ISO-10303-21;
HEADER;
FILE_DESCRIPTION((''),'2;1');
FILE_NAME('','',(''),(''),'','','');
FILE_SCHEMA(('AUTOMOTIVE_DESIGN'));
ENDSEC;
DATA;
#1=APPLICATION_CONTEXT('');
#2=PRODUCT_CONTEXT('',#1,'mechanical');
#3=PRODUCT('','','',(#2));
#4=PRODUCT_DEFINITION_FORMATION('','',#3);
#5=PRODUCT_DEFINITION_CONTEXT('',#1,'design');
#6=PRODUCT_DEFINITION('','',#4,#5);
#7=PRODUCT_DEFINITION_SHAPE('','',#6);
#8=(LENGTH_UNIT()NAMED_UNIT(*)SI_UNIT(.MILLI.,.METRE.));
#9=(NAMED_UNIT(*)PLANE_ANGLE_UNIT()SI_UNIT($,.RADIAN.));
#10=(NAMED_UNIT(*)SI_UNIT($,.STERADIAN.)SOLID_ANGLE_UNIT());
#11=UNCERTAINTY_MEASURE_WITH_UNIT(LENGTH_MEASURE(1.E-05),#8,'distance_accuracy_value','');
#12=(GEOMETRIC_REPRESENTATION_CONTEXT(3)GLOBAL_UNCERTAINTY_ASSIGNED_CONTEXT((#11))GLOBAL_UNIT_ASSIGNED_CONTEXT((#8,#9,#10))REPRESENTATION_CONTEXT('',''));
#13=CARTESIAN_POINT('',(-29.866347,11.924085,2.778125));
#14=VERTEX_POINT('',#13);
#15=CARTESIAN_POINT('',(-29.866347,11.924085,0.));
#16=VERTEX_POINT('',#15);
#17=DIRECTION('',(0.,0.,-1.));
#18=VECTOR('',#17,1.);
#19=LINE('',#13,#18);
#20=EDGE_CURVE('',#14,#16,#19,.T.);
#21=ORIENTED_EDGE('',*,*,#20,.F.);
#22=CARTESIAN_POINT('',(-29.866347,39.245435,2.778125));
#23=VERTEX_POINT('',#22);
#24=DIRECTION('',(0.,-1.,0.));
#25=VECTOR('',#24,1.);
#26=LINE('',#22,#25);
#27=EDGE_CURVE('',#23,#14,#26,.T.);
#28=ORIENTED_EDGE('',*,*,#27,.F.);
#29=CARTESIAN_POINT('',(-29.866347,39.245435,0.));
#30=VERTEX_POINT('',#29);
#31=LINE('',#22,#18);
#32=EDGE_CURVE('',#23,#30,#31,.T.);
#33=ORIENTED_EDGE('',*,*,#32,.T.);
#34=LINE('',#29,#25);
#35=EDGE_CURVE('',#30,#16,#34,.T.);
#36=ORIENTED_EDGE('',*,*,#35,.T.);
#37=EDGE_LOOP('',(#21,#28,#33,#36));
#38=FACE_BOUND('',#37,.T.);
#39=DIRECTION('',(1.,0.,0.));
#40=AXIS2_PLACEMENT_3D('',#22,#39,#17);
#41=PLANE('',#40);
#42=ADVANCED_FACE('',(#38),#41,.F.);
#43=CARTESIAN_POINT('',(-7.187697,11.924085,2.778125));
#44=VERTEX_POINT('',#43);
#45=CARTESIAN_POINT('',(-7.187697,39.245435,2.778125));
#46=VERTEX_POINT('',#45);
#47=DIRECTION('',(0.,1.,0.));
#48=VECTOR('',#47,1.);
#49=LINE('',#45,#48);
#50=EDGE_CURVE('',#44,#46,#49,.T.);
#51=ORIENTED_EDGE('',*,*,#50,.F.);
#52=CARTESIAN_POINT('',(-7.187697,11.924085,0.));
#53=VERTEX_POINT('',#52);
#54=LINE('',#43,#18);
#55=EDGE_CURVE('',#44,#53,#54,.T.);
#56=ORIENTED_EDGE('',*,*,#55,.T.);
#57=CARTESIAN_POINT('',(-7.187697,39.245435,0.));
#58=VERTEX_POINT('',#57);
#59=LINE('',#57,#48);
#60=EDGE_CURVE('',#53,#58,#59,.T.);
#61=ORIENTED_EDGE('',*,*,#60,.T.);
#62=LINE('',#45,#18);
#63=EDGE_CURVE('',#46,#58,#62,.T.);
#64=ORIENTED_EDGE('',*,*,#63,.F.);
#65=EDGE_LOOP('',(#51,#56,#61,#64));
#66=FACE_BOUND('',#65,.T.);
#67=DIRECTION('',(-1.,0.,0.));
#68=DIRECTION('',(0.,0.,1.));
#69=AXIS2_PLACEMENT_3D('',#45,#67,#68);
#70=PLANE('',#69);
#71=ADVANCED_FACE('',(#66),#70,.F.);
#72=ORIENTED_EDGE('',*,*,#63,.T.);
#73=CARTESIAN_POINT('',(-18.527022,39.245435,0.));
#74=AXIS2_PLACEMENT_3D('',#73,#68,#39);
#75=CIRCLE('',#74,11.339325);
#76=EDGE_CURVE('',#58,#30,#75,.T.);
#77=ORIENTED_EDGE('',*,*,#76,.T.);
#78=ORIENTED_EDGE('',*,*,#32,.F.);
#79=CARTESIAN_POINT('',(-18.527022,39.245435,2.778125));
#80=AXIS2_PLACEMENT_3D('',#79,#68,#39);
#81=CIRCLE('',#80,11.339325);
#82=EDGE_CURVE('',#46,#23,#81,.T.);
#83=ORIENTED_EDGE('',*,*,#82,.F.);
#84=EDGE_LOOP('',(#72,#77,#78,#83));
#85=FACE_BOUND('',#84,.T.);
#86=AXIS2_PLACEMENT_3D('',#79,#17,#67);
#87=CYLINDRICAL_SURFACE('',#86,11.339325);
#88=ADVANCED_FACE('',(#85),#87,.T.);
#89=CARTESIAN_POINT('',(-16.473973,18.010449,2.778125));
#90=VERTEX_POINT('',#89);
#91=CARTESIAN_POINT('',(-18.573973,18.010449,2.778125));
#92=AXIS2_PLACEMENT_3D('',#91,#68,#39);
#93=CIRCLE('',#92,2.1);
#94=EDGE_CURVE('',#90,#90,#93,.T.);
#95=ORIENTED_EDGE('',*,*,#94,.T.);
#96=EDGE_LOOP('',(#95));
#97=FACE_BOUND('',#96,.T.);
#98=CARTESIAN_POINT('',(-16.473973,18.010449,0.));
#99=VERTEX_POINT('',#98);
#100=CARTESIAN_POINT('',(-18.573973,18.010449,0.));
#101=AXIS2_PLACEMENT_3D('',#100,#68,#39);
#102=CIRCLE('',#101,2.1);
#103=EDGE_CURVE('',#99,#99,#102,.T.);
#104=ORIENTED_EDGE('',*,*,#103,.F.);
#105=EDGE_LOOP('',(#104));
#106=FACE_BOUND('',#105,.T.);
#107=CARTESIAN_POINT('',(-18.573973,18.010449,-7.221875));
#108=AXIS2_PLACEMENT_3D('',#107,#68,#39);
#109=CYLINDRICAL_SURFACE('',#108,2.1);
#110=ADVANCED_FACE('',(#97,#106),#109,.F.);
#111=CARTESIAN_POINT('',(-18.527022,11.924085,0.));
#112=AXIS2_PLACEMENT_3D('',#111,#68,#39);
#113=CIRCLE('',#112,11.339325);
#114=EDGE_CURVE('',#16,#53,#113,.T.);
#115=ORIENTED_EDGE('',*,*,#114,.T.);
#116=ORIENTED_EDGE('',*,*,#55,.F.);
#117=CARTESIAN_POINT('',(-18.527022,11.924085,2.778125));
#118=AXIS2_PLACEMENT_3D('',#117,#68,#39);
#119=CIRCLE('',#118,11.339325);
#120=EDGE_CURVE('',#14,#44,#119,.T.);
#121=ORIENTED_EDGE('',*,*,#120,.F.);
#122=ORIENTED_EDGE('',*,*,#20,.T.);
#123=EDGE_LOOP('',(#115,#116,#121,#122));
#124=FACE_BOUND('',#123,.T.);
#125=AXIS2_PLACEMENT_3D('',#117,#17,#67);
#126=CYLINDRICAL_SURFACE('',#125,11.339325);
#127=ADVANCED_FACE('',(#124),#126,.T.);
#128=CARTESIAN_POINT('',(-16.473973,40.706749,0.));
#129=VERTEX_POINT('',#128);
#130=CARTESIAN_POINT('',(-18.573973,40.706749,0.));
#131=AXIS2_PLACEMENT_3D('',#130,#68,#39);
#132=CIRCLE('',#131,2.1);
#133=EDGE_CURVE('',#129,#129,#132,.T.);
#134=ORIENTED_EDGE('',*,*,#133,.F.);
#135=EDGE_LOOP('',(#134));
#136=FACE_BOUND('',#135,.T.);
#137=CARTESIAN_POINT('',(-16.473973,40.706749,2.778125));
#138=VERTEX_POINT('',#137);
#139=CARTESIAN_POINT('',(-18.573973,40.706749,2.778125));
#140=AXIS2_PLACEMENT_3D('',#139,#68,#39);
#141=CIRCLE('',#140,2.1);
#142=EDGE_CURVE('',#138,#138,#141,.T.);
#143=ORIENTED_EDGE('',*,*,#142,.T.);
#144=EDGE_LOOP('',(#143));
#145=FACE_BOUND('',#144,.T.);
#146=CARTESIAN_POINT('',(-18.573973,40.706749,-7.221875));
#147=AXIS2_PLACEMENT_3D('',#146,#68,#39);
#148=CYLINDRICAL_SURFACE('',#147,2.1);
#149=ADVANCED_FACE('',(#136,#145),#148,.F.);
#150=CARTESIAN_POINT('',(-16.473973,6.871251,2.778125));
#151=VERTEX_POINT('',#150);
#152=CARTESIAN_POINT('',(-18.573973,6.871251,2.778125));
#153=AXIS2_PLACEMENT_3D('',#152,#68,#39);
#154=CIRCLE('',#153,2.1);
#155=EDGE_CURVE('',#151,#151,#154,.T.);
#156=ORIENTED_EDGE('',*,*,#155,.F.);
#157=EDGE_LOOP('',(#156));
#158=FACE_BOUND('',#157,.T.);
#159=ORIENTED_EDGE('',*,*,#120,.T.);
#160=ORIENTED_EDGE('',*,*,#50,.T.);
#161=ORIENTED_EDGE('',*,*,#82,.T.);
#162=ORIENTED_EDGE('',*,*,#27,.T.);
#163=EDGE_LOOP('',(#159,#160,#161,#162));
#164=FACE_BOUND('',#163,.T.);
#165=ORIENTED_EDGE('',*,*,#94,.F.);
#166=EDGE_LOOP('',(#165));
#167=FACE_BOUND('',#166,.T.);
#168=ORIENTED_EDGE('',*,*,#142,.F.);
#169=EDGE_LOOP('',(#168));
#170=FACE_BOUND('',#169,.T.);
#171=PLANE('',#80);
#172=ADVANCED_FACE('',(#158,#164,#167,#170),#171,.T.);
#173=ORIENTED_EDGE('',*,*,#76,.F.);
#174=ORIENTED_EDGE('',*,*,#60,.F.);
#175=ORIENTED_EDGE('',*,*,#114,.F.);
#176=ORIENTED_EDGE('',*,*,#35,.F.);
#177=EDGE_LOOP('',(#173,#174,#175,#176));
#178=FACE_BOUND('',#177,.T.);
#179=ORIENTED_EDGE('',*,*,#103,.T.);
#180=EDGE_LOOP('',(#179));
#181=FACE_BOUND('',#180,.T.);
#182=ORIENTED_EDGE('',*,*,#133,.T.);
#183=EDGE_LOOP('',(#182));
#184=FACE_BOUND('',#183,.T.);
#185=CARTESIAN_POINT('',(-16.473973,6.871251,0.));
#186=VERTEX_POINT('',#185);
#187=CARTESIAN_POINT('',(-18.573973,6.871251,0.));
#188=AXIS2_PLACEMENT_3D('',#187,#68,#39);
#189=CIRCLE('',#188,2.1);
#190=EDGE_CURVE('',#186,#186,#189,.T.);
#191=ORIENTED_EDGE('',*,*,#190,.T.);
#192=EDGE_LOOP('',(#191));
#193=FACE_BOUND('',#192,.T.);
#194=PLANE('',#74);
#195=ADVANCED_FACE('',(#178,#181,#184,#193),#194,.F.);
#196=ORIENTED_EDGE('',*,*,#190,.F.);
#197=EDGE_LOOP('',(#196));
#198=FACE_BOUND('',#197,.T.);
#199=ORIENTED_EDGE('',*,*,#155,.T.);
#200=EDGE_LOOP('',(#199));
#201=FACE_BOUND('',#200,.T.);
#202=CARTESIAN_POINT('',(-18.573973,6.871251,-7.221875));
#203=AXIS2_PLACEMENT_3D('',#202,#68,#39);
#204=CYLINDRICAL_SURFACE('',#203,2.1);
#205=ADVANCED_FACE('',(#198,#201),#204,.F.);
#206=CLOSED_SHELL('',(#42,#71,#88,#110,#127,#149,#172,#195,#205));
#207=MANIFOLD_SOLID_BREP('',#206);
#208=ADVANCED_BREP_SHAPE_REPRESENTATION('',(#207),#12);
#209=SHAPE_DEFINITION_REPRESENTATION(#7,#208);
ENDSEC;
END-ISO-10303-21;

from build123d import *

# Parameters (mm, degrees)
BOSS_EXTRUDE1_DEPTH = 2.778125
SKETCH3_R           = 2.1
CUT_EXTRUDE1_DEPTH  = 10


with BuildPart() as part:
    # Sketch1 → Boss-Extrude1 (new body)
    with BuildSketch(Plane.XY):
        with BuildLine():
            Line((-29.866346965, 39.245435109), (-29.866346965, 11.924084761))
            ThreePointArc((-29.866346965, 11.924084761), (-18.527022139, 0.584759935), (-7.187697313, 11.924084761))
            Line((-7.187697313, 11.924084761), (-7.187697313, 39.245435109))
            ThreePointArc((-7.187697313, 39.245435109), (-18.527022139, 50.584759935), (-29.866346965, 39.245435109))
        make_face()
    extrude(amount=BOSS_EXTRUDE1_DEPTH)

    # Sketch3 → Cut-Extrude1 (cut)
    with BuildSketch(Plane.XY.offset(2.778125)):
        with Locations((-18.573973328, 6.87125142)):
            Circle(SKETCH3_R)
        with Locations((-18.573973328, 18.010449169)):
            Circle(SKETCH3_R)
        with Locations((-18.573973328, 40.706749197)):
            Circle(SKETCH3_R)
    extrude(amount=-CUT_EXTRUDE1_DEPTH, mode=Mode.SUBTRACT)


solid = part.part
